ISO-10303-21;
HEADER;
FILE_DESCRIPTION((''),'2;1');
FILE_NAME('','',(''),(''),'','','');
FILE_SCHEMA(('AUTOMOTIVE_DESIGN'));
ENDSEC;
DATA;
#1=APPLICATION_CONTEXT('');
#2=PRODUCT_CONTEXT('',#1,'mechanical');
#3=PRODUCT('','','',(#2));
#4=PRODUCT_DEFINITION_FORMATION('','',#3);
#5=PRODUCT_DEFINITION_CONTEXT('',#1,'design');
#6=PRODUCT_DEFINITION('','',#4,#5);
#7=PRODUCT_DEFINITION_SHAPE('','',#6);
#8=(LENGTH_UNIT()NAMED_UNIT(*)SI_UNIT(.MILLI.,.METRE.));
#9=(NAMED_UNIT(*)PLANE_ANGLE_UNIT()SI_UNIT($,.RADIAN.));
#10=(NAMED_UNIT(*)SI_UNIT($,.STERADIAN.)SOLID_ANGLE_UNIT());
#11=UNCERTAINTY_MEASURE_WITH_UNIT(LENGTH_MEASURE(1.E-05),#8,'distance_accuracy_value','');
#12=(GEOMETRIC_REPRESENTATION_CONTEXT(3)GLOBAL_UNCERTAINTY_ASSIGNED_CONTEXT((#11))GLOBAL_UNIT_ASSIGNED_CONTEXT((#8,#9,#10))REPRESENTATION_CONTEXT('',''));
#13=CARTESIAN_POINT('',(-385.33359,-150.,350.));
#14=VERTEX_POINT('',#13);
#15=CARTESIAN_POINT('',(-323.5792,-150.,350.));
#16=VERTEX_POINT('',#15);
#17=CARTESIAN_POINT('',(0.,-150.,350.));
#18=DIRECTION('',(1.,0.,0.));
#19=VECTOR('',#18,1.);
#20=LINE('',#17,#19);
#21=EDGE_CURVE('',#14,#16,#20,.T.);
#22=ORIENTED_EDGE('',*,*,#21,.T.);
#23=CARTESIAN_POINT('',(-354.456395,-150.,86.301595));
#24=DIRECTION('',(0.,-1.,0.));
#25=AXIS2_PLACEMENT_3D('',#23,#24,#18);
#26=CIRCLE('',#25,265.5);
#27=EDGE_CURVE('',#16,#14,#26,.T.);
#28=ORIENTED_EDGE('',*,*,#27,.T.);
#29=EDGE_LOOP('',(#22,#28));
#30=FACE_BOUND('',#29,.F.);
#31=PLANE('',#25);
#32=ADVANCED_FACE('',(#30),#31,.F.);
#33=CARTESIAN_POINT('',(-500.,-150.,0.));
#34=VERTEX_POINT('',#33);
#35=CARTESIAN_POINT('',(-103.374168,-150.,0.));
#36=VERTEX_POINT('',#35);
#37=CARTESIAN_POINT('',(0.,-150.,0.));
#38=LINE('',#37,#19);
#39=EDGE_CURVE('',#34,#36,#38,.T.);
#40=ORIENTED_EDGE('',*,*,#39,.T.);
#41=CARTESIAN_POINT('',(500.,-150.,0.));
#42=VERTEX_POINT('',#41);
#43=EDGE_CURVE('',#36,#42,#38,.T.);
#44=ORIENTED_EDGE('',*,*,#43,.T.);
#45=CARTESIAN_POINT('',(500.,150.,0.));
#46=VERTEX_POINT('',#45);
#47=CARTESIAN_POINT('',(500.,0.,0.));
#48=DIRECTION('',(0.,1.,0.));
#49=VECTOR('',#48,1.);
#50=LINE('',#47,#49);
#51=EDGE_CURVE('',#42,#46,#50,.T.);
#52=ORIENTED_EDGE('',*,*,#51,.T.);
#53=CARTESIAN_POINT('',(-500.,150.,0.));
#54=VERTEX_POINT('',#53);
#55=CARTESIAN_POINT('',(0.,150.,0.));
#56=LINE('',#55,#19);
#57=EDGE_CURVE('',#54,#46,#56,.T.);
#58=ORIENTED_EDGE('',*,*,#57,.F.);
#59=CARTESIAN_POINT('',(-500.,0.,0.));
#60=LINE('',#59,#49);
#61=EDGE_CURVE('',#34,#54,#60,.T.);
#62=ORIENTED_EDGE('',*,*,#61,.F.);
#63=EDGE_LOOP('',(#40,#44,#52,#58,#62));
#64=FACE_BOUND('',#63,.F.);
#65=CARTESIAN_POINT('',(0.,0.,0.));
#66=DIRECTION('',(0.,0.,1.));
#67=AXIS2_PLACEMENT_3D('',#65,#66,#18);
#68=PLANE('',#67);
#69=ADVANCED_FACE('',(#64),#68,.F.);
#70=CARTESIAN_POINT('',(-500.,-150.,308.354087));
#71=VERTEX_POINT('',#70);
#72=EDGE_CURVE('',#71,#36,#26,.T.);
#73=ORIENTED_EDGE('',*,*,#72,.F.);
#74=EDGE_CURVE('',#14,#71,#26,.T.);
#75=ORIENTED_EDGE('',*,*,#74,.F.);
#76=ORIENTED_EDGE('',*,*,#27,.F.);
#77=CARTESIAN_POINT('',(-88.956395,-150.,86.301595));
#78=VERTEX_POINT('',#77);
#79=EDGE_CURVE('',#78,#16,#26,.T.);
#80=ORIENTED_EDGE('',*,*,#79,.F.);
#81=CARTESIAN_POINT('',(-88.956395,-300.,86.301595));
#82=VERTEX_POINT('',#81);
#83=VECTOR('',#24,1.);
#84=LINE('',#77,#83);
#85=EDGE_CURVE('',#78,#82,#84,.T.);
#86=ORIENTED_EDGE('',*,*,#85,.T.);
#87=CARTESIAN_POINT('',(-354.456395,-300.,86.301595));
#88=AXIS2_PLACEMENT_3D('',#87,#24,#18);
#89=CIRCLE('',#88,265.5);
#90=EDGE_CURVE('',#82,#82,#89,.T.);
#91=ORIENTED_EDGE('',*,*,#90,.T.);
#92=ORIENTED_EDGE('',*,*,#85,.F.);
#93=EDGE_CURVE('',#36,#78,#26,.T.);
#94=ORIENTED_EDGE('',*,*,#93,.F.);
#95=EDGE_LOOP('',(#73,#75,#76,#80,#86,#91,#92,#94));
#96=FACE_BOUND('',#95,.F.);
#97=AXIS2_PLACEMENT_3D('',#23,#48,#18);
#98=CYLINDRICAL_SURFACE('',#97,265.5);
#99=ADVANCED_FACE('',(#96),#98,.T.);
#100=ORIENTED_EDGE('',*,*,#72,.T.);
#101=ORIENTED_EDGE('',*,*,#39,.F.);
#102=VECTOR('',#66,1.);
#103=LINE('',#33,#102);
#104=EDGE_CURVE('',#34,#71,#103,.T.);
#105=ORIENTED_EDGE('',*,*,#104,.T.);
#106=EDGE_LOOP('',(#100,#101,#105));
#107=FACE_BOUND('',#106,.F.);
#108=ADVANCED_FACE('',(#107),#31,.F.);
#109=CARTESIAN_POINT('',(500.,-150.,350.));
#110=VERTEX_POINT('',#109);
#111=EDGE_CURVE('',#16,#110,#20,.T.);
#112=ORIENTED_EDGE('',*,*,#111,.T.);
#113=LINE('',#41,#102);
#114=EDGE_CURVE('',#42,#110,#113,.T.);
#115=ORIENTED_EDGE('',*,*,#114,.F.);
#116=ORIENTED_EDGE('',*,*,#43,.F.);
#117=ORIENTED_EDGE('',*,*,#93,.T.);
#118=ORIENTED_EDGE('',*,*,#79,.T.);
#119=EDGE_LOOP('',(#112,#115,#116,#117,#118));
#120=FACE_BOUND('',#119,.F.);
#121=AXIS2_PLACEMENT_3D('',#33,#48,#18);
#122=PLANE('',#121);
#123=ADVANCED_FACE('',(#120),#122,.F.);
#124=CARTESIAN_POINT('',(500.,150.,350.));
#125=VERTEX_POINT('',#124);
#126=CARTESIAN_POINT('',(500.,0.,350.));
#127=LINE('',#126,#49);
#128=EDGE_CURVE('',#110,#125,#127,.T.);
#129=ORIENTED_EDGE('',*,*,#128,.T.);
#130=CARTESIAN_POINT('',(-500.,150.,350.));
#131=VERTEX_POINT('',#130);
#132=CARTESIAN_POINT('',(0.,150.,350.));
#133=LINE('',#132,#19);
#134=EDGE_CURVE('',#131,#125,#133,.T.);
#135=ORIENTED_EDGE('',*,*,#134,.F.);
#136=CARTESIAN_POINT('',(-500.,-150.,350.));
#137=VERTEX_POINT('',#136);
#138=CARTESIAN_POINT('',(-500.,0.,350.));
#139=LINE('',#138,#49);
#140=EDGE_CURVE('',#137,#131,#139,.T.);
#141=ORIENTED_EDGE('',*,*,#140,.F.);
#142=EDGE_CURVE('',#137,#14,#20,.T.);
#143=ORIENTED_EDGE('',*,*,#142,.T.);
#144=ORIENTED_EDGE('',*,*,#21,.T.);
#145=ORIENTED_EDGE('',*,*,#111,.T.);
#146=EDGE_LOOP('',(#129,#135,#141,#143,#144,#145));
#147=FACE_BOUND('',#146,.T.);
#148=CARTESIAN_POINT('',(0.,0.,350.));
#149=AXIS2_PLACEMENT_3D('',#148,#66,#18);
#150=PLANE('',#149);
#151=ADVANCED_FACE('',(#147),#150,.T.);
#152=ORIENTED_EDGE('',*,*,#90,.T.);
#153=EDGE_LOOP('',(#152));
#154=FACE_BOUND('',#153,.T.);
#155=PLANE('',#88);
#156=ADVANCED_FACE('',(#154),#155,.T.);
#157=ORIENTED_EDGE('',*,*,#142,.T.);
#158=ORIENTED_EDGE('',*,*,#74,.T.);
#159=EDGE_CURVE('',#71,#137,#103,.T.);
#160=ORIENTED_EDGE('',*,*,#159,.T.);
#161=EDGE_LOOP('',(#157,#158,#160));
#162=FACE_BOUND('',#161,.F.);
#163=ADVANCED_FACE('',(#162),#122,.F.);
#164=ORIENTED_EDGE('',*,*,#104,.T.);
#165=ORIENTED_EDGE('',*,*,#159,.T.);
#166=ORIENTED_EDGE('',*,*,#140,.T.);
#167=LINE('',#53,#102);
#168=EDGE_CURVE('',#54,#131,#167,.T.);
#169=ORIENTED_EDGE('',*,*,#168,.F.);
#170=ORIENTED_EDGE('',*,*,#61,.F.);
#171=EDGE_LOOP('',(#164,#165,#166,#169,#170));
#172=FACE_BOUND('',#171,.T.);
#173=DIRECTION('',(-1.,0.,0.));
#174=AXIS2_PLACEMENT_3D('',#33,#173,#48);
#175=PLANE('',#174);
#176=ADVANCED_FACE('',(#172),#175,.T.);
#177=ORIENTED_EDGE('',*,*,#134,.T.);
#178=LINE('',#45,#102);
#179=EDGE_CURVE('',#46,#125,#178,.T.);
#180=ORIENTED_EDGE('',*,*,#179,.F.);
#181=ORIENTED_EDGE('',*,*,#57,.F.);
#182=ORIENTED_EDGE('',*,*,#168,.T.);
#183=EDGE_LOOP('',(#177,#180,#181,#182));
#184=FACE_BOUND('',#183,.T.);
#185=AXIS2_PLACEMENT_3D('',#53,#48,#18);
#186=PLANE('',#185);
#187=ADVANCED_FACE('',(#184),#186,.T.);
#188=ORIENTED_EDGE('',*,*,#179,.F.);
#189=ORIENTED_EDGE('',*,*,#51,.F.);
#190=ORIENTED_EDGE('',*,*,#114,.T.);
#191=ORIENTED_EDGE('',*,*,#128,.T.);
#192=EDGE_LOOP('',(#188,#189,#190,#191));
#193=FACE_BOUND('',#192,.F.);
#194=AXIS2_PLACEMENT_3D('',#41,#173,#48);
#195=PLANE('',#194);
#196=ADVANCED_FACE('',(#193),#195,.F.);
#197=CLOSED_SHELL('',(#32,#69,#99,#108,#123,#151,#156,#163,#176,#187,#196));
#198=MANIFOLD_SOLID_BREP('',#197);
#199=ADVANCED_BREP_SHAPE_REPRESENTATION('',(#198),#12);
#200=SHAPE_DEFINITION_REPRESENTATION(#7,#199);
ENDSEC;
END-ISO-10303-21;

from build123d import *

# Parameters (mm, degrees)
F0_W     = 1000
F0_H     = 300
F1_DEPTH = 350
F2_R     = 265.5
F2_R_2   = 190.5
F3_DEPTH = 150


with BuildPart() as f1:
    # F0 (on Top) → F1 (new body)
    with BuildSketch(Plane.XY):
        Rectangle(F0_W, F0_H)
    extrude(amount=F1_DEPTH)

    # F2 (on face) → F3 (join)
    with BuildSketch(Plane.XZ.offset(150)):
        with Locations((-354.456395, 86.301595)):
            Circle(F2_R)
        with Locations((-354.456395, 86.301595)):
            Circle(F2_R_2, mode=Mode.SUBTRACT)
        with BuildLine():
            Line((-500, 0), (-500, 209.213389))
            ThreePointArc((-500, 209.213389), (-459.765558, -72.444209), (-184.626231, 0))
            Line((-184.626231, 0), (-500, 0))
        make_face()
        with BuildLine():
            ThreePointArc((-184.626231, 0), (-169.195908, 41.930412), (-163.956395, 86.301595))
            ThreePointArc((-163.956395, 86.301595), (-289.018664, 265.209821), (-500, 209.213389))
            Line((-500, 209.213389), (-500, 0))
            Line((-500, 0), (-184.626231, 0))
        make_face()
    extrude(amount=F3_DEPTH)


solid = f1.part
